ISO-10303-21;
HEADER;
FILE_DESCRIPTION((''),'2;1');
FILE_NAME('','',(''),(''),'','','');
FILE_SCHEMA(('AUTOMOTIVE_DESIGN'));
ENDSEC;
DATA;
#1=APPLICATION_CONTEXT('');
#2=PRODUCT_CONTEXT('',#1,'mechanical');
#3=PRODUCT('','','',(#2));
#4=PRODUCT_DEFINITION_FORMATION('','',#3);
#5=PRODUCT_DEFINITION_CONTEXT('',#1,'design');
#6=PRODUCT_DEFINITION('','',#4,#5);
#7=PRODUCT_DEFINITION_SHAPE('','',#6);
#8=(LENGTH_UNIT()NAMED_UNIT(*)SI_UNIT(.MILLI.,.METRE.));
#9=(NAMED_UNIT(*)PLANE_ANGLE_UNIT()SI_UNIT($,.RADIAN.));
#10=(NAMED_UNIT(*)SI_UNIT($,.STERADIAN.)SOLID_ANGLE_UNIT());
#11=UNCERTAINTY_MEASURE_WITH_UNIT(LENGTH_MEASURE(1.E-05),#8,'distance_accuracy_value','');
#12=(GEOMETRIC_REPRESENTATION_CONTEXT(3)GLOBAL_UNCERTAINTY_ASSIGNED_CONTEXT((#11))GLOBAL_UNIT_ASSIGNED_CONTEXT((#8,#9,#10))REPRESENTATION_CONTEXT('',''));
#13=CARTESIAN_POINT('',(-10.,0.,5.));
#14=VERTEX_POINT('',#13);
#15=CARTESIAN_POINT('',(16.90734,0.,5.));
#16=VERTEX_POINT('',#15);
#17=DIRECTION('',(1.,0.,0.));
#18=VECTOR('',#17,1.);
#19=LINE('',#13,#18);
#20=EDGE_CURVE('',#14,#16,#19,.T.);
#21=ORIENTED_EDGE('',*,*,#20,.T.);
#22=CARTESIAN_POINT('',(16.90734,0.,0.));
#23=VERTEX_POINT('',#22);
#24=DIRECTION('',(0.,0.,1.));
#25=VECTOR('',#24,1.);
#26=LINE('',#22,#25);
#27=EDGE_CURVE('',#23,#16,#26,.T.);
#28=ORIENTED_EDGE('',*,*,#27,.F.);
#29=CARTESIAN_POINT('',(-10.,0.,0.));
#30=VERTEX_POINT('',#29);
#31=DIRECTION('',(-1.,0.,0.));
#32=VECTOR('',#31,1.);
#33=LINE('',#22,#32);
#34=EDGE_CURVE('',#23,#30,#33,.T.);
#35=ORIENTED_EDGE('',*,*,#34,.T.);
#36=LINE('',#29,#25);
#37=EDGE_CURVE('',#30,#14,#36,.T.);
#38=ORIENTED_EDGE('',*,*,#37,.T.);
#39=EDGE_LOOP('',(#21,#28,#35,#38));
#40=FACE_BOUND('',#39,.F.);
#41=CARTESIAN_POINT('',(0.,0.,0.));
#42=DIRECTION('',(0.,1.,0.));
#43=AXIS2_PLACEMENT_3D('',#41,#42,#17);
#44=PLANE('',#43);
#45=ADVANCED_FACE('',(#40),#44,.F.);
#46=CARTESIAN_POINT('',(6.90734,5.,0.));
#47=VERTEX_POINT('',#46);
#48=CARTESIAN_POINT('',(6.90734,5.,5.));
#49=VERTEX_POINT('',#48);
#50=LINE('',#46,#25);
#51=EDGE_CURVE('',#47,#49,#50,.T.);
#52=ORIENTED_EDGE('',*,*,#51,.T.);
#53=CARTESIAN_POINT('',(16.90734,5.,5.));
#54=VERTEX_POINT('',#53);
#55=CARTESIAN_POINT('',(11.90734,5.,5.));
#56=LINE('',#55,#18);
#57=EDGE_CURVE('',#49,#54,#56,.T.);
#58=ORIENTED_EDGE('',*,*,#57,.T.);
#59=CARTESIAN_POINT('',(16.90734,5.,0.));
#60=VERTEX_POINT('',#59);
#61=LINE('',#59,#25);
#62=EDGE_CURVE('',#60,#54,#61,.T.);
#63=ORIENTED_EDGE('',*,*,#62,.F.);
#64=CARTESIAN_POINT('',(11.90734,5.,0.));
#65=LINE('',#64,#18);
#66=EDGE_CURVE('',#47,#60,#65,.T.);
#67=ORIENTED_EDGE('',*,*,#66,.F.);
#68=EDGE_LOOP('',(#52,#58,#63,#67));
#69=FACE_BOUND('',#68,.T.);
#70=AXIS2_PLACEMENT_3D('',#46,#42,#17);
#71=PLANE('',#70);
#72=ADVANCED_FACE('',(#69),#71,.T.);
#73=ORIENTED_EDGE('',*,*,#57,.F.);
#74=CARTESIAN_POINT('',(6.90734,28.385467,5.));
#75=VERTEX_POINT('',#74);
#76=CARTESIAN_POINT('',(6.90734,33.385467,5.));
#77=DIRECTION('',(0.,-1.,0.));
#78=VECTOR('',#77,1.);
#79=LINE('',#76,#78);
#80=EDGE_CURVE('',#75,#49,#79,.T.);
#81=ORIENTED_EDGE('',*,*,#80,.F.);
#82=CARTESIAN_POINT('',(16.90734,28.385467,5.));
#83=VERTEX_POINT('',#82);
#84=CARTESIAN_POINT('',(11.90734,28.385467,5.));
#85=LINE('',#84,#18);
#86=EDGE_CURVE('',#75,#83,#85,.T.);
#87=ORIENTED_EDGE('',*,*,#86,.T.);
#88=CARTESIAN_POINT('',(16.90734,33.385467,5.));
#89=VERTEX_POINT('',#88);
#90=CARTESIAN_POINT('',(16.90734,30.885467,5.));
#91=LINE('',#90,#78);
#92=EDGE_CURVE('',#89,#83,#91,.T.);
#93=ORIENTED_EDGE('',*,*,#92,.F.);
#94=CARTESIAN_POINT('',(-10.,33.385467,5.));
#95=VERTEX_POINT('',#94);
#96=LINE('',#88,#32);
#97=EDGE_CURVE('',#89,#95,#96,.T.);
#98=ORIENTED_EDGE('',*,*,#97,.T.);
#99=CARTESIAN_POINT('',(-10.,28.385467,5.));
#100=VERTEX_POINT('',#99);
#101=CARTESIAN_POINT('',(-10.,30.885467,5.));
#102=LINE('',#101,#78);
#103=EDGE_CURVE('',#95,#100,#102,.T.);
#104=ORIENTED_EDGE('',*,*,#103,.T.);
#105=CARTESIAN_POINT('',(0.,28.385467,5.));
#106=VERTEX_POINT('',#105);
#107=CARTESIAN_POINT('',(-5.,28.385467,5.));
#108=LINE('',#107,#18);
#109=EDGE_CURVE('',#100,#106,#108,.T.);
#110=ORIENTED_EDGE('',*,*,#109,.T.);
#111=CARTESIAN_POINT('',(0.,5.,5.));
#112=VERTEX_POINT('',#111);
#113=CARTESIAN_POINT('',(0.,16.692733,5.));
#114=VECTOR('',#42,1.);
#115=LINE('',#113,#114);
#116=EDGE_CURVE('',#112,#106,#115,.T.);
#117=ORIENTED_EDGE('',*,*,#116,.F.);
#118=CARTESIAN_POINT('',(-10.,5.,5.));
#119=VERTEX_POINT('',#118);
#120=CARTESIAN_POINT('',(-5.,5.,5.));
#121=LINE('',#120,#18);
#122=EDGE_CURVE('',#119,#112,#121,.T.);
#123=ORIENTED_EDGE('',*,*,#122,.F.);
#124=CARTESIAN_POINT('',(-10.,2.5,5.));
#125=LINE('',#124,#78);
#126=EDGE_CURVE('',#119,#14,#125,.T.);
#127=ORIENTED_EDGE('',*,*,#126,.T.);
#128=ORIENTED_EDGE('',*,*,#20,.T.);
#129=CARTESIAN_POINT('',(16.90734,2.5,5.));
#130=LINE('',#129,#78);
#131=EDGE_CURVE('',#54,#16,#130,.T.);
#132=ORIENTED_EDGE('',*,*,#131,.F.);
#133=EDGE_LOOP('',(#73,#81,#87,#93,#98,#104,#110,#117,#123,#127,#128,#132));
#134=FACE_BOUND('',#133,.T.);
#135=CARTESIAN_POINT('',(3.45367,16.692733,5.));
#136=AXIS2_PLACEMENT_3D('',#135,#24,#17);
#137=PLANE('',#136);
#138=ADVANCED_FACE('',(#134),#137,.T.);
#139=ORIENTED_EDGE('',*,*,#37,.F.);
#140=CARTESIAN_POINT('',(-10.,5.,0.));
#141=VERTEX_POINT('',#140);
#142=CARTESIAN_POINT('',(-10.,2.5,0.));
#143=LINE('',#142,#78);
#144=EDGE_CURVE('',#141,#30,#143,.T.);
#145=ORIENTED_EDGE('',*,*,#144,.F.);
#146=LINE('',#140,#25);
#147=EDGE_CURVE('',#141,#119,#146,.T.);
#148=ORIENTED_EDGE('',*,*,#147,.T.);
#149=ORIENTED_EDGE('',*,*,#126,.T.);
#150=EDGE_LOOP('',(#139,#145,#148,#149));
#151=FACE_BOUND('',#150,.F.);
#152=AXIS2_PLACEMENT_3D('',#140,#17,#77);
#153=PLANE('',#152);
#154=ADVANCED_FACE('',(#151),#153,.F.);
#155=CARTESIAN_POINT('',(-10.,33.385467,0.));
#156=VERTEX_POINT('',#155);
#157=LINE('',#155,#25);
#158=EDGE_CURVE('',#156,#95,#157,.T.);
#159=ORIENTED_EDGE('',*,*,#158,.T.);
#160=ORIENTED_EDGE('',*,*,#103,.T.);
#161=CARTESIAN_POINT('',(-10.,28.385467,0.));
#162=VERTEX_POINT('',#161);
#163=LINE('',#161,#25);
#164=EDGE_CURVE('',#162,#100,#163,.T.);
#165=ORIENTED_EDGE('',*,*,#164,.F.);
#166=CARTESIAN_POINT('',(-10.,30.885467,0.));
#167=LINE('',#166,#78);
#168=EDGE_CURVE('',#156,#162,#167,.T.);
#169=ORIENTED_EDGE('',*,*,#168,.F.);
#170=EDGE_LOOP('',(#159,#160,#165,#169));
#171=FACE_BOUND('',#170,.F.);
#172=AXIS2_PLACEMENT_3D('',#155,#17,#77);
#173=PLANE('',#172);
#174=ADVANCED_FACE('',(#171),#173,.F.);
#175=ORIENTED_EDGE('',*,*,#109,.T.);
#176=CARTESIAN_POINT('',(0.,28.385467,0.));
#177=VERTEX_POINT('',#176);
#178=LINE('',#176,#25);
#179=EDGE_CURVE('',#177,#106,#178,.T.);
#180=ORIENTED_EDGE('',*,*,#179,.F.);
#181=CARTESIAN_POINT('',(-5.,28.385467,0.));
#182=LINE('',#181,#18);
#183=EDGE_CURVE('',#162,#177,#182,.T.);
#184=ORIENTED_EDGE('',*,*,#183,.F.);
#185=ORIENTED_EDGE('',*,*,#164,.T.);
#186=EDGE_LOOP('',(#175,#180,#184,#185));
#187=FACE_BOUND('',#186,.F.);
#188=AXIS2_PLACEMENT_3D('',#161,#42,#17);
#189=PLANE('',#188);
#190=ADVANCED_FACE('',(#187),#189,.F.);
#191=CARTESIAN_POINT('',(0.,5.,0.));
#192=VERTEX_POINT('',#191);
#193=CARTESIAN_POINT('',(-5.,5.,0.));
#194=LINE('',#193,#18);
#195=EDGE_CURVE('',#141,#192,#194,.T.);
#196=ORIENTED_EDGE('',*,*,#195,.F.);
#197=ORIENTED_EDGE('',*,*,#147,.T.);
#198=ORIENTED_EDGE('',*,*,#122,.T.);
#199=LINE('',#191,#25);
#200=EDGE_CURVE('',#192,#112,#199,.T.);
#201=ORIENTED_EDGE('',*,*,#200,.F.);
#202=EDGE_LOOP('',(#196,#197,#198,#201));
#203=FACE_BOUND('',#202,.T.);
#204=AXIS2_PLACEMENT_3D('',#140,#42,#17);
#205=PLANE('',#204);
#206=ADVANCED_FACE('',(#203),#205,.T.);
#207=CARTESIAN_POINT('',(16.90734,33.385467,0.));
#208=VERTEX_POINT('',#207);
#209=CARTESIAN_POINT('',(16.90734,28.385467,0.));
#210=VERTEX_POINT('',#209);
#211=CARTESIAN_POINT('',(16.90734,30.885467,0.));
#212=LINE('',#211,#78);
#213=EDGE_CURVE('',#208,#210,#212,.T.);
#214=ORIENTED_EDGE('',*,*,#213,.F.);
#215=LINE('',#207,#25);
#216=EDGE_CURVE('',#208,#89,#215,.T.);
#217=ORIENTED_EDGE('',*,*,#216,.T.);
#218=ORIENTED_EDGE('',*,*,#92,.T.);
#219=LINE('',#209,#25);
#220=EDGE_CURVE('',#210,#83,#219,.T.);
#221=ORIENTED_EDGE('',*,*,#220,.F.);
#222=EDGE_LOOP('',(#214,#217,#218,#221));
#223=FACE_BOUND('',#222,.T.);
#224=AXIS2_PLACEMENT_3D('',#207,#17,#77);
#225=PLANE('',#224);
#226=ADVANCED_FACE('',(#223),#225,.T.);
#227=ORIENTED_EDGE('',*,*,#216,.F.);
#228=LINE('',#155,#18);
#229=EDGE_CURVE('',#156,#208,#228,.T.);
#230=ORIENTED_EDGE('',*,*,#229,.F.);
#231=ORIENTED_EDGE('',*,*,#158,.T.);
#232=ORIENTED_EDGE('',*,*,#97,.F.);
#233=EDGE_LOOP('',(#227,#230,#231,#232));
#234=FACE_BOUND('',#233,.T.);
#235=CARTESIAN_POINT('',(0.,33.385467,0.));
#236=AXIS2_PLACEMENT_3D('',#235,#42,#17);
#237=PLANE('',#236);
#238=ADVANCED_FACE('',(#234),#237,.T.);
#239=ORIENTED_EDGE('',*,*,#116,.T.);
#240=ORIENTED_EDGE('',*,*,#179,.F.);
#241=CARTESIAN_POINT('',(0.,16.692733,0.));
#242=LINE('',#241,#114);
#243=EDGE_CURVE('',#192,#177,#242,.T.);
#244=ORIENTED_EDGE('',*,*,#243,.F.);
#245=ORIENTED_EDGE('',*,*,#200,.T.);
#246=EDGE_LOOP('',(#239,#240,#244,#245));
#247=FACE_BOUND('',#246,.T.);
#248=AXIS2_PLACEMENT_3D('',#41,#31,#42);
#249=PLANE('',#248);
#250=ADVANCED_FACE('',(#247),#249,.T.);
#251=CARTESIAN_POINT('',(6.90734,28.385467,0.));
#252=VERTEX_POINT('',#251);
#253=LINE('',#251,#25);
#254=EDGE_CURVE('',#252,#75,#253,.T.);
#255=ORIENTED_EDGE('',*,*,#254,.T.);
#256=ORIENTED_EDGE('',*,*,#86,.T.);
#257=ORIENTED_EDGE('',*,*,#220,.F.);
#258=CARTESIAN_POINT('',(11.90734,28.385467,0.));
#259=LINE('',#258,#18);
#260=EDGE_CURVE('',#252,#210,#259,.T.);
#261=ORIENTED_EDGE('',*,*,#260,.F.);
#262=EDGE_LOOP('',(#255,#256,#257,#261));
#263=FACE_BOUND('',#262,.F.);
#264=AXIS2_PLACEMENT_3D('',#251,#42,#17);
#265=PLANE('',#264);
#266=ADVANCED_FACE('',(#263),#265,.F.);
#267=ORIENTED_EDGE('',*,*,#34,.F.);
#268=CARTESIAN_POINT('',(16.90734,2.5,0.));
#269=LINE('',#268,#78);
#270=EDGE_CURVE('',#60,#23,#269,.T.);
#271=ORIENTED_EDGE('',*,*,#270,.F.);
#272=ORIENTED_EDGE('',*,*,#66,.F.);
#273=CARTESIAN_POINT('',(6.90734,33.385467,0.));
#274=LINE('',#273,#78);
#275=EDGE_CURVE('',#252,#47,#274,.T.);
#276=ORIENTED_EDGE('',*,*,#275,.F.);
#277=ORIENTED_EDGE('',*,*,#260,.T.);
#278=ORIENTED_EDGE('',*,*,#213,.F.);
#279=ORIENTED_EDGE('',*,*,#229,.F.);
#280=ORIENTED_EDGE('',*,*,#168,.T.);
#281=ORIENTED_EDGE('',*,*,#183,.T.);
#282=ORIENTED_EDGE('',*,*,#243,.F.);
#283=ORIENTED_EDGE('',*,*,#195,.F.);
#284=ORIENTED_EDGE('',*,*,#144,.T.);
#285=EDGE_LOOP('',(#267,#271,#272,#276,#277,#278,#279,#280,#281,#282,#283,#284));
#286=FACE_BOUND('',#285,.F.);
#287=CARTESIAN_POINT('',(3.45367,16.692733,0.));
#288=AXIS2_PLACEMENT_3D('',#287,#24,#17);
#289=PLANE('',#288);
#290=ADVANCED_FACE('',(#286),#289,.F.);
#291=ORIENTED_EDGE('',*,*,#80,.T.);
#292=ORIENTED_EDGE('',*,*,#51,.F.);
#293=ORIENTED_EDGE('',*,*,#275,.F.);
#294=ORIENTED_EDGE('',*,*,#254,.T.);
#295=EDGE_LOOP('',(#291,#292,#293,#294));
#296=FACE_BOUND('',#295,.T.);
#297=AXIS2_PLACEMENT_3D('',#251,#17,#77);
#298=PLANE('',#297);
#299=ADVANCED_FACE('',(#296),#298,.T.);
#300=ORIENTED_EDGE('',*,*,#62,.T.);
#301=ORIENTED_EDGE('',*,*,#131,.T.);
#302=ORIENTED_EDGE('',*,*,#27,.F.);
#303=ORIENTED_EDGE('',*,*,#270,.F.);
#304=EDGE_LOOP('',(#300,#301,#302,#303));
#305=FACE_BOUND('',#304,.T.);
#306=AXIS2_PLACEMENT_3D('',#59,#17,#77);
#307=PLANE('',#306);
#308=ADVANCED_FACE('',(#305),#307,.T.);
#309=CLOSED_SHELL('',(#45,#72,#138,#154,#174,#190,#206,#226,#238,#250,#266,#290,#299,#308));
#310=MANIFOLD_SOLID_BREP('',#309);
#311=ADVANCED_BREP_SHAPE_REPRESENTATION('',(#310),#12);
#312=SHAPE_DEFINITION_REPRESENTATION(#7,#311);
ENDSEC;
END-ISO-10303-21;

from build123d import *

# Parameters (mm, degrees)
F0_W     = 6.9073396735
F0_H     = 33.3854667842
F1_DEPTH = 5
F3_W     = 10
F3_H     = 5
F2_W     = 10
F2_H     = 5
F4_DEPTH = 5


with BuildPart() as f1:
    # F0 (on Top) → F1 (new body)
    with BuildSketch(Plane.XY):
        with Locations((3.4536698367, 16.6927333921)):
            Rectangle(F0_W, F0_H)
    extrude(amount=F1_DEPTH)

    # F3 (on face) + F2 (on Top) → F4 (join)
    with BuildSketch(Plane(origin=(0, 0, 0), x_dir=(1, 0, 0), z_dir=(0, 0, -1))):
        Polygon((6.9073396735, -5), (6.9073396735, 0), (0, 0), (0, -5), (0, -28.3854667842), (0, -33.3854667842), (6.9073396735, -33.3854667842), (6.9073396735, -28.3854667842), align=None)
        with Locations((11.9073396735, -2.5)):
            Rectangle(F3_W, F3_H)
        with Locations((-5, -2.5)):
            Rectangle(F3_W, F3_H)
        with Locations((11.9073396735, -30.8854667842)):
            Rectangle(F3_W, F3_H)
        with Locations((-5, -30.8854667842)):
            Rectangle(F3_W, F3_H)
    with BuildSketch(Plane.XY):
        with Locations((-5, 30.8854667842)):
            Rectangle(F2_W, F2_H)
    extrude(amount=-F4_DEPTH, dir=(0, 0, -1))


solid = f1.part
